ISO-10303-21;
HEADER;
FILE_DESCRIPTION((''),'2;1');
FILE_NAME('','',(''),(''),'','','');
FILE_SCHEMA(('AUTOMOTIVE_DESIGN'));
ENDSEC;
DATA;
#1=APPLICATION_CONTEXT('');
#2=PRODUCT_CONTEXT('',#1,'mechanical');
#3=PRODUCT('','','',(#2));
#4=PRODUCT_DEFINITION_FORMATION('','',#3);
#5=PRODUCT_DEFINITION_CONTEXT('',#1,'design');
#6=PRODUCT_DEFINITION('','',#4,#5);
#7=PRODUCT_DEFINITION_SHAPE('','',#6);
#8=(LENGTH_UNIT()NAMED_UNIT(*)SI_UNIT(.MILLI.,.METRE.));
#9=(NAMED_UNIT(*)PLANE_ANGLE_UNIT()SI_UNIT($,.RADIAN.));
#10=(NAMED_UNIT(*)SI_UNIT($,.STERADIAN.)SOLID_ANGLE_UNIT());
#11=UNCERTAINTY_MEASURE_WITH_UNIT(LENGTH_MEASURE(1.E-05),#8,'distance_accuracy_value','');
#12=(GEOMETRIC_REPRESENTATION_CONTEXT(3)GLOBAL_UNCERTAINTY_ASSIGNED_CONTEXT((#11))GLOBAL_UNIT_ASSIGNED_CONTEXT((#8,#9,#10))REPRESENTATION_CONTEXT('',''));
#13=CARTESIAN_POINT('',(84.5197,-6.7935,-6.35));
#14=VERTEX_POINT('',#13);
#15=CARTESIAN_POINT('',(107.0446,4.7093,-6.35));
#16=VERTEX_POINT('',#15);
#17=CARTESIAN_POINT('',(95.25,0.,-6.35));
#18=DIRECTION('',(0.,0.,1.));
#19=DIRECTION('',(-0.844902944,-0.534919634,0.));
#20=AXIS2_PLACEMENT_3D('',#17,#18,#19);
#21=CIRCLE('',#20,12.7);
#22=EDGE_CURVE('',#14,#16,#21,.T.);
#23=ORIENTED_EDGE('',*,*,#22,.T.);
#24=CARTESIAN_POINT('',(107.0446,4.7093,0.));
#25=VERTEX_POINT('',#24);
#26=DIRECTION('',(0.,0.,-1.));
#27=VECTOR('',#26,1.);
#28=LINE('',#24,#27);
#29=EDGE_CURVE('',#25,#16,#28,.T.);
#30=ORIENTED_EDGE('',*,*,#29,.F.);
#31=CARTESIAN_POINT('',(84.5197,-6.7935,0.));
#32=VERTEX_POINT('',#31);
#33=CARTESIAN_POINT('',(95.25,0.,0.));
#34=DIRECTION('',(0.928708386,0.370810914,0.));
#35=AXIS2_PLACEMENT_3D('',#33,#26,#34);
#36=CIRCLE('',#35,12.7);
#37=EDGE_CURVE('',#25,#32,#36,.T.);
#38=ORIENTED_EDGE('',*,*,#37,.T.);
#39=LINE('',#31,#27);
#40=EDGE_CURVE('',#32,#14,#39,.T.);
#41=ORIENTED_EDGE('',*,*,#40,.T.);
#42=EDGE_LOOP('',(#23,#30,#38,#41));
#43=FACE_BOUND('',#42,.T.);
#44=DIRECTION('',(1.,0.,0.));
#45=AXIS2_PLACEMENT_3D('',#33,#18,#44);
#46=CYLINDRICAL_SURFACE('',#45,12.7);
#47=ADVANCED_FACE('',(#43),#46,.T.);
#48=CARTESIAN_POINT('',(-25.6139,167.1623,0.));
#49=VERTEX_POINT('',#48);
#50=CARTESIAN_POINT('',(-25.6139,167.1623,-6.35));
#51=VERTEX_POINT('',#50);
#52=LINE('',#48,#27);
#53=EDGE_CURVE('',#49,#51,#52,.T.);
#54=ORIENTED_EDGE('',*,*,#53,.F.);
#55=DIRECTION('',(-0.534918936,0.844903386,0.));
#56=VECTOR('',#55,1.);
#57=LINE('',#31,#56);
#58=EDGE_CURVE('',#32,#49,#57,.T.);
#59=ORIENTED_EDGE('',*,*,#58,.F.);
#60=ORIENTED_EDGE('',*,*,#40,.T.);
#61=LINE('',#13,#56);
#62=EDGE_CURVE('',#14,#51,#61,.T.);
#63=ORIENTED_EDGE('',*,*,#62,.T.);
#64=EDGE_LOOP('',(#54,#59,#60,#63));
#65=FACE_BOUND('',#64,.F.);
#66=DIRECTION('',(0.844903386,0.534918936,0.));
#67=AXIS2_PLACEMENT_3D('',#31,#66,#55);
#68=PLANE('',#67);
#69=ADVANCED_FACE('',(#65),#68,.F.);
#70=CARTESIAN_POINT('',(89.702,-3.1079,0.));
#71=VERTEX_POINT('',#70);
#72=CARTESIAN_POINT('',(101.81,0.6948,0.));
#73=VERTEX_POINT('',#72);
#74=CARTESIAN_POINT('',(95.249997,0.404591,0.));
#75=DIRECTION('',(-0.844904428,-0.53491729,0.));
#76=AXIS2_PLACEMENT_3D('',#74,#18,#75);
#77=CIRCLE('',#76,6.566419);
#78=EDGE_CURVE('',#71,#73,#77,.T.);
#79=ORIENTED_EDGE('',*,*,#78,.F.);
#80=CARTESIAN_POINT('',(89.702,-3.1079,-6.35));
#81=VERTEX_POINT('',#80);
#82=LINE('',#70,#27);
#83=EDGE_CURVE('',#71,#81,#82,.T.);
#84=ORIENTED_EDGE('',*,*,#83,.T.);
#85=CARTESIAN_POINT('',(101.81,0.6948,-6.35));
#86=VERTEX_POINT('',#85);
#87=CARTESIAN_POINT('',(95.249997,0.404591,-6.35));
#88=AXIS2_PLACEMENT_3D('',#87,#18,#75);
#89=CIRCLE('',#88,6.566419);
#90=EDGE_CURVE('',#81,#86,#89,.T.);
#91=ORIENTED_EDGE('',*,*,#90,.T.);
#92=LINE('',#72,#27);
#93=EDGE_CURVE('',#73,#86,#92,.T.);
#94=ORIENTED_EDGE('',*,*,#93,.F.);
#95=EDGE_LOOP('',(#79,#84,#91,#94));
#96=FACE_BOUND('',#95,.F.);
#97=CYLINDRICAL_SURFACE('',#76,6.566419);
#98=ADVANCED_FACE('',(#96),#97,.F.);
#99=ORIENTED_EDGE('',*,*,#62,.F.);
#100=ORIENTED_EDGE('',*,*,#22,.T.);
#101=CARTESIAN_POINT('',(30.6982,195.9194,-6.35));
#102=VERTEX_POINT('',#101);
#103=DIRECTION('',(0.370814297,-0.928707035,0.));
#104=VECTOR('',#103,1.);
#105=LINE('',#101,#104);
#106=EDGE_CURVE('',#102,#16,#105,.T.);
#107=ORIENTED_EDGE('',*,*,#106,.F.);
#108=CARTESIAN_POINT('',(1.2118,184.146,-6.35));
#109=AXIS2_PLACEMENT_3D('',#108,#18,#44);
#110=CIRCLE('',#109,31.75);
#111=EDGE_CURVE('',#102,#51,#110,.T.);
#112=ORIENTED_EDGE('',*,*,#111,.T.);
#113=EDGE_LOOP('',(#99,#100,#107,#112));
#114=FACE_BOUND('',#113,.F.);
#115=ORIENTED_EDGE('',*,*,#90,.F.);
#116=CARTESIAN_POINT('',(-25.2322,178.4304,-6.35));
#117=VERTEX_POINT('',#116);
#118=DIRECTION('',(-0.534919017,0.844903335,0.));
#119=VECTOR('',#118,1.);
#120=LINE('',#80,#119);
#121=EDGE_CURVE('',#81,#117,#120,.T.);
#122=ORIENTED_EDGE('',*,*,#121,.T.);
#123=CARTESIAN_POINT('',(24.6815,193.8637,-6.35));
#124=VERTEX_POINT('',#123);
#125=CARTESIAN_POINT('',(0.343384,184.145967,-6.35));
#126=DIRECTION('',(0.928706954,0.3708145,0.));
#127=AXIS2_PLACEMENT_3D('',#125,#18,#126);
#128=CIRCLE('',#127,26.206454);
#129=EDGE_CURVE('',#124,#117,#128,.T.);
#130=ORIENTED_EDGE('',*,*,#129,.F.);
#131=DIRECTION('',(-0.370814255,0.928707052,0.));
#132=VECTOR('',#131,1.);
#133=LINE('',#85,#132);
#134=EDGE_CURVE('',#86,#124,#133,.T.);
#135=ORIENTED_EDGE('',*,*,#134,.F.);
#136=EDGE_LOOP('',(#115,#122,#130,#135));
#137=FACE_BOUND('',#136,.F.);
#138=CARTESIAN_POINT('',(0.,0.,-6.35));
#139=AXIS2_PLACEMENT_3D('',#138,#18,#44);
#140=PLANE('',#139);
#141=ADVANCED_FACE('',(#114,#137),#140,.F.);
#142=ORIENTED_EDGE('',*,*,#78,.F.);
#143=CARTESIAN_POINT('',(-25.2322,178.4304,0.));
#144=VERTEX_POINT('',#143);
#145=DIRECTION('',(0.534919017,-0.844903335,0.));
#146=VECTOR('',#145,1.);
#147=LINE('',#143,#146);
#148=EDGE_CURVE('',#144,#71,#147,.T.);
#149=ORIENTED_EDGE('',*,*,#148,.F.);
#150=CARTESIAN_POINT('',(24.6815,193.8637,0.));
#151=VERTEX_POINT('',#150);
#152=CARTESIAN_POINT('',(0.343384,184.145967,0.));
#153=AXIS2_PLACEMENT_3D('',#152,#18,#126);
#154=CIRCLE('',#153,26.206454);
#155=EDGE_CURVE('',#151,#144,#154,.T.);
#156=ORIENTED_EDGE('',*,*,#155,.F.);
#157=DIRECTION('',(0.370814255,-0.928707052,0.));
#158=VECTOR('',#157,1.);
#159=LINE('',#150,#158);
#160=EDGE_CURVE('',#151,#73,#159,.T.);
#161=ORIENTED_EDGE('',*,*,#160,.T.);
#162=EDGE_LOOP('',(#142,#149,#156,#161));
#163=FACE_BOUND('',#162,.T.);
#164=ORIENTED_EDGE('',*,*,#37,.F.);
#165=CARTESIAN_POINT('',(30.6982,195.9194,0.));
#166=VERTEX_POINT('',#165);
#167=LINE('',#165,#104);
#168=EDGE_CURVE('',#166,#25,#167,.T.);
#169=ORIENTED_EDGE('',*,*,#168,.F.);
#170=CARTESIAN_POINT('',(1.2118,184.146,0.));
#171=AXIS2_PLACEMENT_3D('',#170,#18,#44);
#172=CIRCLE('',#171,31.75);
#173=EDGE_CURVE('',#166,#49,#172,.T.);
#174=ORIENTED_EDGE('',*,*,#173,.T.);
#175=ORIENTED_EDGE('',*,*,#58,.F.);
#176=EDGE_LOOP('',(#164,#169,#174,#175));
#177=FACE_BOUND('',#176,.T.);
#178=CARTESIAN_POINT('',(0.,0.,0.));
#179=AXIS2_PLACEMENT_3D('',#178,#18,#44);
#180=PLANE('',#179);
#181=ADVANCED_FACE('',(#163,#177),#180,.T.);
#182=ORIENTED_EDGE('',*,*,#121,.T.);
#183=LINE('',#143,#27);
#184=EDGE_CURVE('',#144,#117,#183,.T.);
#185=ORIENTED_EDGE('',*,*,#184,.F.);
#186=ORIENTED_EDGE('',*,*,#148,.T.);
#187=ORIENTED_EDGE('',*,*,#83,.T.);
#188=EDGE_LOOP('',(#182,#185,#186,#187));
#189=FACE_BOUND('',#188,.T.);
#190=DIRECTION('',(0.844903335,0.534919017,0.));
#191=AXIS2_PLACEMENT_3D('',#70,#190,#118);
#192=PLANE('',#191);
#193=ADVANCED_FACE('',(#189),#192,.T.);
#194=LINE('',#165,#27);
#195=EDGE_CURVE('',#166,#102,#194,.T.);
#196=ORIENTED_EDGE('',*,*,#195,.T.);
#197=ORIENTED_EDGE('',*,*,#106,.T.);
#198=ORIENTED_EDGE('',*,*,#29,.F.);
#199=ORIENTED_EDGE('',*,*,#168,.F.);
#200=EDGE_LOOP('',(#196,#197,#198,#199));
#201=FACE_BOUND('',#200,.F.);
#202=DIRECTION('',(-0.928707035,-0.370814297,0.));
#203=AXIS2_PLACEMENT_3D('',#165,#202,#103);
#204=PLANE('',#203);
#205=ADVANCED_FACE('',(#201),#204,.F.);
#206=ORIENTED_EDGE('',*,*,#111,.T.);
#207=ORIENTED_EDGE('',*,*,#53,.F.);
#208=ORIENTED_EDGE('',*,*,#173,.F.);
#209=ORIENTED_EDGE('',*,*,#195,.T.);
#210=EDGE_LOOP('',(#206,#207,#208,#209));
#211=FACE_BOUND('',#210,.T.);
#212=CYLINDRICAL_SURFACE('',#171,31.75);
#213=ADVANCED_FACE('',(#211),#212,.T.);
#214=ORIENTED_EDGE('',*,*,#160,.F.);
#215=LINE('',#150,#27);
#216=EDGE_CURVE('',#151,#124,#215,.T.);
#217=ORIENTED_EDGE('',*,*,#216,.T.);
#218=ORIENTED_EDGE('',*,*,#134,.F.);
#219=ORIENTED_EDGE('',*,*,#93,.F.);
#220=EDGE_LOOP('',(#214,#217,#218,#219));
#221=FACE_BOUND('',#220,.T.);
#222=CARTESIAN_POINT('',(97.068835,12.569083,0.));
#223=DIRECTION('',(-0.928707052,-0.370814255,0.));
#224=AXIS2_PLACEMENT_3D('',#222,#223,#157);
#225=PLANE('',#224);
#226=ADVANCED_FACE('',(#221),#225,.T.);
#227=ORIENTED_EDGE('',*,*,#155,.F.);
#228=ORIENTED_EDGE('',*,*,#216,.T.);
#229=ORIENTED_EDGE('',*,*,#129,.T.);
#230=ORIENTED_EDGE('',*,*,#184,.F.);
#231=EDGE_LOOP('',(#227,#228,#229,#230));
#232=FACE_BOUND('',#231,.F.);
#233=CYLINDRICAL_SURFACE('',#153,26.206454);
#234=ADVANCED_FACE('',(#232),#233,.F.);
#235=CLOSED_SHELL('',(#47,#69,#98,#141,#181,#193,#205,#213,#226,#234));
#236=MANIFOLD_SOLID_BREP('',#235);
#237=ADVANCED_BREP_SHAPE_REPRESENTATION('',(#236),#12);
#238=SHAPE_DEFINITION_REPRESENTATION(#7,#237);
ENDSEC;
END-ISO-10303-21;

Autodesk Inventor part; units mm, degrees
ref_plane "YZ Plane" through (0, 0, 0) normal (1, 0, 0) x (0, 1, 0)
ref_plane "XZ Plane" through (0, 0, 0) normal (0, 1, 0) x (-1, 0, 0)
ref_plane "XY Plane" through (0, 0, 0) normal (0, 0, 1) x (1, 0, 0)
sketch "Sketch1" plane through (0, 0, 0) normal (0, 0, 1) x (1, 0, 0)
  circle A0 centre (95.25, 0) radius 12.7
  circle A1 centre (1.2118, 184.146) radius 31.75
  line L0 (30.6982, 195.9194) -> (107.0446, 4.7093)
  line L1 (84.5197, -6.7935) -> (-25.6139, 167.1623)
  line L2 (24.6815, 193.8637) -> (101.81, 0.6948)
  line L3 (89.702, -3.1079) -> (-25.2322, 178.4304)
  arc A2 (24.6815, 193.8637) -> (-25.2322, 178.4304) centre (0.3434, 184.146) ccw
  arc A3 (89.702, -3.1079) -> (101.81, 0.6948) centre (95.25, 0.4046) ccw
  point P0 (0, 0)
  dimension "d0" = 95.25
  dimension "d1" = 184.15
  dimension "d2" = 25.4
  dimension "d3" = 63.5
  dimension "d6" = 6.35
  dimension "d7" = 6.35
extrude "Extrusion1" add sketch "Sketch1" against normal blind 6.35
extrude "Extrusion2" cut sketch "Sketch1" against normal blind 6.35 contours L2 A3 L3 A0 | A0 L3 A1 L2 | A1 L3 A2 L2 picked at (94.1398, 3.1738) picked at (1.4272, 174.9657)
properties part number "conveyor belt drive belt"
